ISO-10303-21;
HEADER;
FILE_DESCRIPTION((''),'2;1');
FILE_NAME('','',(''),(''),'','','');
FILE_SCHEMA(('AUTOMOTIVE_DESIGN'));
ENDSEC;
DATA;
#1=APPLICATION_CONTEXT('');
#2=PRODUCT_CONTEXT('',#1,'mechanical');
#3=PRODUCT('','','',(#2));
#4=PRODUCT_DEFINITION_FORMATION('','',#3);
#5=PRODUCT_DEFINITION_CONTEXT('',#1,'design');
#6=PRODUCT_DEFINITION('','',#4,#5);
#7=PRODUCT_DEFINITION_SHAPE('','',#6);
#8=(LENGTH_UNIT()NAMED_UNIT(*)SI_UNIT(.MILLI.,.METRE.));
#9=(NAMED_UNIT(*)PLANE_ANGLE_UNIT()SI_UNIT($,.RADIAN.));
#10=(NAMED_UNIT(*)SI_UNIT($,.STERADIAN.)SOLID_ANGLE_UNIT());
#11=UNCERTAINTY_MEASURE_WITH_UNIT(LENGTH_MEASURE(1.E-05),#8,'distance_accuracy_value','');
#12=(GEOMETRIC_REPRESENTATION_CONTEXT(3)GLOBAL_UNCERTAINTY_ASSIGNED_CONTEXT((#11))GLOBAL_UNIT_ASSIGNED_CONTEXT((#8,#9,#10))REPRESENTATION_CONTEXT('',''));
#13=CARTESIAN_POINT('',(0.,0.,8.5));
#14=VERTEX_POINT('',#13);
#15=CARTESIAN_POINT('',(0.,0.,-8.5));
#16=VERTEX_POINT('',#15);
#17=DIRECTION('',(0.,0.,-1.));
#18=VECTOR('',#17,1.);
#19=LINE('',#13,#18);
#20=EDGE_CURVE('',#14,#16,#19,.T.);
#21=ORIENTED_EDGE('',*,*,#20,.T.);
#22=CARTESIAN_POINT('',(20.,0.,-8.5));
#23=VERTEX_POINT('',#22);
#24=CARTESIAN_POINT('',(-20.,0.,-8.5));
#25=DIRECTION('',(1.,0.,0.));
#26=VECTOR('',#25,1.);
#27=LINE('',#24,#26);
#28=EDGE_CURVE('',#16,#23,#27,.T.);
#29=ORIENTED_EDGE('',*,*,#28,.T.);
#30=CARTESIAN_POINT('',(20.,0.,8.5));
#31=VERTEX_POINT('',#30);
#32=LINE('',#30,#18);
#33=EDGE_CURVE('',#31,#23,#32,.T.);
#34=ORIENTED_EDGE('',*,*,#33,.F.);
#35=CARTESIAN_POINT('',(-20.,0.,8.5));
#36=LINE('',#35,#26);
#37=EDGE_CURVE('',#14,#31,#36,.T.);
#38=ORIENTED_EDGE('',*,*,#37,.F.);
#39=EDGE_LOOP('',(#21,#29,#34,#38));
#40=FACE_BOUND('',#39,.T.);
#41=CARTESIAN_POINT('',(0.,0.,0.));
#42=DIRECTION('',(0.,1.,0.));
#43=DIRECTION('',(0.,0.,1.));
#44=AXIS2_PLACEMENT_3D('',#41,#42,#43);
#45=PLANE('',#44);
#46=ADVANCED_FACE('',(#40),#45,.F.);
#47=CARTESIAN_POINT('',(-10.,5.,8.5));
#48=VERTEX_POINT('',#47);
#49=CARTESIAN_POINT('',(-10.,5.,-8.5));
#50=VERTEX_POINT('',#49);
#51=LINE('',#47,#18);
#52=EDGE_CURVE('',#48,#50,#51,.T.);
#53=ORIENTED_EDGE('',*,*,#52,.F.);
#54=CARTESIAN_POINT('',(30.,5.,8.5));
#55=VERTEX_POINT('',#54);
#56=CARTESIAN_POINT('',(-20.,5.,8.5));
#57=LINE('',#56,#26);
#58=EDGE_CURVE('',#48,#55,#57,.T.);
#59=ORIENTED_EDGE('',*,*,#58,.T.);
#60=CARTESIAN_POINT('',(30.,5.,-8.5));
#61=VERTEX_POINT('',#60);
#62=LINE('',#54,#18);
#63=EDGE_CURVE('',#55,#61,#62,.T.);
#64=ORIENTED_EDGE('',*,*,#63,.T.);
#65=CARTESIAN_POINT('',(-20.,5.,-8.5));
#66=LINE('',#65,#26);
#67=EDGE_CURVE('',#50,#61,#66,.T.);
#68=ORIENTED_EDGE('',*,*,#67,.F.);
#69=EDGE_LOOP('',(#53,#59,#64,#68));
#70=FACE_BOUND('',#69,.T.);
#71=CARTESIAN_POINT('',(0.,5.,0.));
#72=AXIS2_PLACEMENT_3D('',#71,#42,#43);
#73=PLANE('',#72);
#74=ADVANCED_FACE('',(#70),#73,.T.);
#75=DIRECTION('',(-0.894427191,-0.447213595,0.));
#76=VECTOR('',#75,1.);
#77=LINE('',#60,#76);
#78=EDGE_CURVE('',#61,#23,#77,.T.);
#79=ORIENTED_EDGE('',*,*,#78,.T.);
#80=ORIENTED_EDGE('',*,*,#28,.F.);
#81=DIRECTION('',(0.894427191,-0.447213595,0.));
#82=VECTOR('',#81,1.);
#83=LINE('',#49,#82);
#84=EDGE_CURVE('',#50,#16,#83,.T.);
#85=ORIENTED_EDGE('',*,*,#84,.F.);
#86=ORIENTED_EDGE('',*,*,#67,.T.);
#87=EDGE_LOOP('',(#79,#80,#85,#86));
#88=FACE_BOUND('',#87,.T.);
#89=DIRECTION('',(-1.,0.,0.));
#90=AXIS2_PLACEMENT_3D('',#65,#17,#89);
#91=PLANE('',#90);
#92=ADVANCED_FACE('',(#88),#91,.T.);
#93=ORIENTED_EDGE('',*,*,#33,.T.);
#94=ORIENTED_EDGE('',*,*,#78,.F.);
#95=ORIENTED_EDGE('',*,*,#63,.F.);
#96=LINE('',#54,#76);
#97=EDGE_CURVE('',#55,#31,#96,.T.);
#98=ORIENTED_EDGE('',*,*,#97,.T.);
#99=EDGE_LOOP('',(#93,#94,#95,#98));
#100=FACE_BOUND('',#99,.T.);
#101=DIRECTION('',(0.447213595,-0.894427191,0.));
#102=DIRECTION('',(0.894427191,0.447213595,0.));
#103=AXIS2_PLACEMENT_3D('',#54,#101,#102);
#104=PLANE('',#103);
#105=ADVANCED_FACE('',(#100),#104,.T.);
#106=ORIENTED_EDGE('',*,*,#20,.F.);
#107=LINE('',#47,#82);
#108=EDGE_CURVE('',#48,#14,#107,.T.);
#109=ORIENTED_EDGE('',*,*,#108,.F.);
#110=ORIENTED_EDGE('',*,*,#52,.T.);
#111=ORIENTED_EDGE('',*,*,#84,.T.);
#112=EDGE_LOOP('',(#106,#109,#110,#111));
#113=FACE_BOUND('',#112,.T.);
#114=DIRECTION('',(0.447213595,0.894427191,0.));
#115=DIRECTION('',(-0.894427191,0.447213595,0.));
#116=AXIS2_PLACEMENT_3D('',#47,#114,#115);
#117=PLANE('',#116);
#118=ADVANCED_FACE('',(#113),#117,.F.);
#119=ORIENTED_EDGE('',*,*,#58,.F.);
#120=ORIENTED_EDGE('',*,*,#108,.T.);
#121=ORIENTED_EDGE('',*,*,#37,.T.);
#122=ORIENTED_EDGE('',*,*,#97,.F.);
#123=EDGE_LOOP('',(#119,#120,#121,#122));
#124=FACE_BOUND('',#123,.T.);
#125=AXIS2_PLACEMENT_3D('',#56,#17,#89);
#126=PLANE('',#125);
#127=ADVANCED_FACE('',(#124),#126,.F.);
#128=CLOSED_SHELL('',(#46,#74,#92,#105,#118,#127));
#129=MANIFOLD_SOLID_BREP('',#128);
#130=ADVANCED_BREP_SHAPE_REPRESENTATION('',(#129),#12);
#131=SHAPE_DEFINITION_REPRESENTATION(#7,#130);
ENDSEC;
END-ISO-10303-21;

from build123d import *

# Parameters (mm, degrees)
CROQUIS1_W              = 40
CROQUIS1_H              = 17
SALIENTE_EXTRUIR1_DEPTH = 5
CORTAR_EXTRUIR1_DEPTH   = 40
SALIENTE_EXTRUIR2_DEPTH = 17
CORTAR_EXTRUIR2_DEPTH   = 17
SALIENTE_EXTRUIR3_DEPTH = 17


with BuildPart() as part:
    # Croquis1 → Saliente-Extruir1 (new body)
    with BuildSketch(Plane(origin=(0, 0, 0), x_dir=(1, 0, 0), z_dir=(0, 1, 0))):
        Rectangle(CROQUIS1_W, CROQUIS1_H)
    extrude(amount=SALIENTE_EXTRUIR1_DEPTH)

    # Croquis2 → Cortar-Extruir1 (cut)
    with BuildSketch(Plane.XY.offset(8.5)):
        Polygon((-20, 5), (-20, 0), (-10, 0), (-5, 5), align=None)
    extrude(amount=-CORTAR_EXTRUIR1_DEPTH, mode=Mode.SUBTRACT)

    # Croquis3 → Saliente-Extruir2 (add)
    with BuildSketch(Plane(origin=(0, 0, -8.5), x_dir=(-1, 0, 0), z_dir=(0, 0, -1))):
        Polygon((10, 5), (10, 0), (5, 5), align=None)
    extrude(amount=-SALIENTE_EXTRUIR2_DEPTH)

    # Croquis4 → Cortar-Extruir2 (cut)
    with BuildSketch(Plane(origin=(0, 0, -8.5), x_dir=(-1, 0, 0), z_dir=(0, 0, -1))):
        Polygon((10, 5), (0, 0), (10, 0), align=None)
    extrude(amount=-CORTAR_EXTRUIR2_DEPTH, mode=Mode.SUBTRACT)

    # Croquis5 → Saliente-Extruir3 (add)
    with BuildSketch(Plane(origin=(0, 0, -8.5), x_dir=(-1, 0, 0), z_dir=(0, 0, -1))):
        Polygon((-20, 5), (-30, 5), (-20, 0), align=None)
    extrude(amount=-SALIENTE_EXTRUIR3_DEPTH)


solid = part.part
